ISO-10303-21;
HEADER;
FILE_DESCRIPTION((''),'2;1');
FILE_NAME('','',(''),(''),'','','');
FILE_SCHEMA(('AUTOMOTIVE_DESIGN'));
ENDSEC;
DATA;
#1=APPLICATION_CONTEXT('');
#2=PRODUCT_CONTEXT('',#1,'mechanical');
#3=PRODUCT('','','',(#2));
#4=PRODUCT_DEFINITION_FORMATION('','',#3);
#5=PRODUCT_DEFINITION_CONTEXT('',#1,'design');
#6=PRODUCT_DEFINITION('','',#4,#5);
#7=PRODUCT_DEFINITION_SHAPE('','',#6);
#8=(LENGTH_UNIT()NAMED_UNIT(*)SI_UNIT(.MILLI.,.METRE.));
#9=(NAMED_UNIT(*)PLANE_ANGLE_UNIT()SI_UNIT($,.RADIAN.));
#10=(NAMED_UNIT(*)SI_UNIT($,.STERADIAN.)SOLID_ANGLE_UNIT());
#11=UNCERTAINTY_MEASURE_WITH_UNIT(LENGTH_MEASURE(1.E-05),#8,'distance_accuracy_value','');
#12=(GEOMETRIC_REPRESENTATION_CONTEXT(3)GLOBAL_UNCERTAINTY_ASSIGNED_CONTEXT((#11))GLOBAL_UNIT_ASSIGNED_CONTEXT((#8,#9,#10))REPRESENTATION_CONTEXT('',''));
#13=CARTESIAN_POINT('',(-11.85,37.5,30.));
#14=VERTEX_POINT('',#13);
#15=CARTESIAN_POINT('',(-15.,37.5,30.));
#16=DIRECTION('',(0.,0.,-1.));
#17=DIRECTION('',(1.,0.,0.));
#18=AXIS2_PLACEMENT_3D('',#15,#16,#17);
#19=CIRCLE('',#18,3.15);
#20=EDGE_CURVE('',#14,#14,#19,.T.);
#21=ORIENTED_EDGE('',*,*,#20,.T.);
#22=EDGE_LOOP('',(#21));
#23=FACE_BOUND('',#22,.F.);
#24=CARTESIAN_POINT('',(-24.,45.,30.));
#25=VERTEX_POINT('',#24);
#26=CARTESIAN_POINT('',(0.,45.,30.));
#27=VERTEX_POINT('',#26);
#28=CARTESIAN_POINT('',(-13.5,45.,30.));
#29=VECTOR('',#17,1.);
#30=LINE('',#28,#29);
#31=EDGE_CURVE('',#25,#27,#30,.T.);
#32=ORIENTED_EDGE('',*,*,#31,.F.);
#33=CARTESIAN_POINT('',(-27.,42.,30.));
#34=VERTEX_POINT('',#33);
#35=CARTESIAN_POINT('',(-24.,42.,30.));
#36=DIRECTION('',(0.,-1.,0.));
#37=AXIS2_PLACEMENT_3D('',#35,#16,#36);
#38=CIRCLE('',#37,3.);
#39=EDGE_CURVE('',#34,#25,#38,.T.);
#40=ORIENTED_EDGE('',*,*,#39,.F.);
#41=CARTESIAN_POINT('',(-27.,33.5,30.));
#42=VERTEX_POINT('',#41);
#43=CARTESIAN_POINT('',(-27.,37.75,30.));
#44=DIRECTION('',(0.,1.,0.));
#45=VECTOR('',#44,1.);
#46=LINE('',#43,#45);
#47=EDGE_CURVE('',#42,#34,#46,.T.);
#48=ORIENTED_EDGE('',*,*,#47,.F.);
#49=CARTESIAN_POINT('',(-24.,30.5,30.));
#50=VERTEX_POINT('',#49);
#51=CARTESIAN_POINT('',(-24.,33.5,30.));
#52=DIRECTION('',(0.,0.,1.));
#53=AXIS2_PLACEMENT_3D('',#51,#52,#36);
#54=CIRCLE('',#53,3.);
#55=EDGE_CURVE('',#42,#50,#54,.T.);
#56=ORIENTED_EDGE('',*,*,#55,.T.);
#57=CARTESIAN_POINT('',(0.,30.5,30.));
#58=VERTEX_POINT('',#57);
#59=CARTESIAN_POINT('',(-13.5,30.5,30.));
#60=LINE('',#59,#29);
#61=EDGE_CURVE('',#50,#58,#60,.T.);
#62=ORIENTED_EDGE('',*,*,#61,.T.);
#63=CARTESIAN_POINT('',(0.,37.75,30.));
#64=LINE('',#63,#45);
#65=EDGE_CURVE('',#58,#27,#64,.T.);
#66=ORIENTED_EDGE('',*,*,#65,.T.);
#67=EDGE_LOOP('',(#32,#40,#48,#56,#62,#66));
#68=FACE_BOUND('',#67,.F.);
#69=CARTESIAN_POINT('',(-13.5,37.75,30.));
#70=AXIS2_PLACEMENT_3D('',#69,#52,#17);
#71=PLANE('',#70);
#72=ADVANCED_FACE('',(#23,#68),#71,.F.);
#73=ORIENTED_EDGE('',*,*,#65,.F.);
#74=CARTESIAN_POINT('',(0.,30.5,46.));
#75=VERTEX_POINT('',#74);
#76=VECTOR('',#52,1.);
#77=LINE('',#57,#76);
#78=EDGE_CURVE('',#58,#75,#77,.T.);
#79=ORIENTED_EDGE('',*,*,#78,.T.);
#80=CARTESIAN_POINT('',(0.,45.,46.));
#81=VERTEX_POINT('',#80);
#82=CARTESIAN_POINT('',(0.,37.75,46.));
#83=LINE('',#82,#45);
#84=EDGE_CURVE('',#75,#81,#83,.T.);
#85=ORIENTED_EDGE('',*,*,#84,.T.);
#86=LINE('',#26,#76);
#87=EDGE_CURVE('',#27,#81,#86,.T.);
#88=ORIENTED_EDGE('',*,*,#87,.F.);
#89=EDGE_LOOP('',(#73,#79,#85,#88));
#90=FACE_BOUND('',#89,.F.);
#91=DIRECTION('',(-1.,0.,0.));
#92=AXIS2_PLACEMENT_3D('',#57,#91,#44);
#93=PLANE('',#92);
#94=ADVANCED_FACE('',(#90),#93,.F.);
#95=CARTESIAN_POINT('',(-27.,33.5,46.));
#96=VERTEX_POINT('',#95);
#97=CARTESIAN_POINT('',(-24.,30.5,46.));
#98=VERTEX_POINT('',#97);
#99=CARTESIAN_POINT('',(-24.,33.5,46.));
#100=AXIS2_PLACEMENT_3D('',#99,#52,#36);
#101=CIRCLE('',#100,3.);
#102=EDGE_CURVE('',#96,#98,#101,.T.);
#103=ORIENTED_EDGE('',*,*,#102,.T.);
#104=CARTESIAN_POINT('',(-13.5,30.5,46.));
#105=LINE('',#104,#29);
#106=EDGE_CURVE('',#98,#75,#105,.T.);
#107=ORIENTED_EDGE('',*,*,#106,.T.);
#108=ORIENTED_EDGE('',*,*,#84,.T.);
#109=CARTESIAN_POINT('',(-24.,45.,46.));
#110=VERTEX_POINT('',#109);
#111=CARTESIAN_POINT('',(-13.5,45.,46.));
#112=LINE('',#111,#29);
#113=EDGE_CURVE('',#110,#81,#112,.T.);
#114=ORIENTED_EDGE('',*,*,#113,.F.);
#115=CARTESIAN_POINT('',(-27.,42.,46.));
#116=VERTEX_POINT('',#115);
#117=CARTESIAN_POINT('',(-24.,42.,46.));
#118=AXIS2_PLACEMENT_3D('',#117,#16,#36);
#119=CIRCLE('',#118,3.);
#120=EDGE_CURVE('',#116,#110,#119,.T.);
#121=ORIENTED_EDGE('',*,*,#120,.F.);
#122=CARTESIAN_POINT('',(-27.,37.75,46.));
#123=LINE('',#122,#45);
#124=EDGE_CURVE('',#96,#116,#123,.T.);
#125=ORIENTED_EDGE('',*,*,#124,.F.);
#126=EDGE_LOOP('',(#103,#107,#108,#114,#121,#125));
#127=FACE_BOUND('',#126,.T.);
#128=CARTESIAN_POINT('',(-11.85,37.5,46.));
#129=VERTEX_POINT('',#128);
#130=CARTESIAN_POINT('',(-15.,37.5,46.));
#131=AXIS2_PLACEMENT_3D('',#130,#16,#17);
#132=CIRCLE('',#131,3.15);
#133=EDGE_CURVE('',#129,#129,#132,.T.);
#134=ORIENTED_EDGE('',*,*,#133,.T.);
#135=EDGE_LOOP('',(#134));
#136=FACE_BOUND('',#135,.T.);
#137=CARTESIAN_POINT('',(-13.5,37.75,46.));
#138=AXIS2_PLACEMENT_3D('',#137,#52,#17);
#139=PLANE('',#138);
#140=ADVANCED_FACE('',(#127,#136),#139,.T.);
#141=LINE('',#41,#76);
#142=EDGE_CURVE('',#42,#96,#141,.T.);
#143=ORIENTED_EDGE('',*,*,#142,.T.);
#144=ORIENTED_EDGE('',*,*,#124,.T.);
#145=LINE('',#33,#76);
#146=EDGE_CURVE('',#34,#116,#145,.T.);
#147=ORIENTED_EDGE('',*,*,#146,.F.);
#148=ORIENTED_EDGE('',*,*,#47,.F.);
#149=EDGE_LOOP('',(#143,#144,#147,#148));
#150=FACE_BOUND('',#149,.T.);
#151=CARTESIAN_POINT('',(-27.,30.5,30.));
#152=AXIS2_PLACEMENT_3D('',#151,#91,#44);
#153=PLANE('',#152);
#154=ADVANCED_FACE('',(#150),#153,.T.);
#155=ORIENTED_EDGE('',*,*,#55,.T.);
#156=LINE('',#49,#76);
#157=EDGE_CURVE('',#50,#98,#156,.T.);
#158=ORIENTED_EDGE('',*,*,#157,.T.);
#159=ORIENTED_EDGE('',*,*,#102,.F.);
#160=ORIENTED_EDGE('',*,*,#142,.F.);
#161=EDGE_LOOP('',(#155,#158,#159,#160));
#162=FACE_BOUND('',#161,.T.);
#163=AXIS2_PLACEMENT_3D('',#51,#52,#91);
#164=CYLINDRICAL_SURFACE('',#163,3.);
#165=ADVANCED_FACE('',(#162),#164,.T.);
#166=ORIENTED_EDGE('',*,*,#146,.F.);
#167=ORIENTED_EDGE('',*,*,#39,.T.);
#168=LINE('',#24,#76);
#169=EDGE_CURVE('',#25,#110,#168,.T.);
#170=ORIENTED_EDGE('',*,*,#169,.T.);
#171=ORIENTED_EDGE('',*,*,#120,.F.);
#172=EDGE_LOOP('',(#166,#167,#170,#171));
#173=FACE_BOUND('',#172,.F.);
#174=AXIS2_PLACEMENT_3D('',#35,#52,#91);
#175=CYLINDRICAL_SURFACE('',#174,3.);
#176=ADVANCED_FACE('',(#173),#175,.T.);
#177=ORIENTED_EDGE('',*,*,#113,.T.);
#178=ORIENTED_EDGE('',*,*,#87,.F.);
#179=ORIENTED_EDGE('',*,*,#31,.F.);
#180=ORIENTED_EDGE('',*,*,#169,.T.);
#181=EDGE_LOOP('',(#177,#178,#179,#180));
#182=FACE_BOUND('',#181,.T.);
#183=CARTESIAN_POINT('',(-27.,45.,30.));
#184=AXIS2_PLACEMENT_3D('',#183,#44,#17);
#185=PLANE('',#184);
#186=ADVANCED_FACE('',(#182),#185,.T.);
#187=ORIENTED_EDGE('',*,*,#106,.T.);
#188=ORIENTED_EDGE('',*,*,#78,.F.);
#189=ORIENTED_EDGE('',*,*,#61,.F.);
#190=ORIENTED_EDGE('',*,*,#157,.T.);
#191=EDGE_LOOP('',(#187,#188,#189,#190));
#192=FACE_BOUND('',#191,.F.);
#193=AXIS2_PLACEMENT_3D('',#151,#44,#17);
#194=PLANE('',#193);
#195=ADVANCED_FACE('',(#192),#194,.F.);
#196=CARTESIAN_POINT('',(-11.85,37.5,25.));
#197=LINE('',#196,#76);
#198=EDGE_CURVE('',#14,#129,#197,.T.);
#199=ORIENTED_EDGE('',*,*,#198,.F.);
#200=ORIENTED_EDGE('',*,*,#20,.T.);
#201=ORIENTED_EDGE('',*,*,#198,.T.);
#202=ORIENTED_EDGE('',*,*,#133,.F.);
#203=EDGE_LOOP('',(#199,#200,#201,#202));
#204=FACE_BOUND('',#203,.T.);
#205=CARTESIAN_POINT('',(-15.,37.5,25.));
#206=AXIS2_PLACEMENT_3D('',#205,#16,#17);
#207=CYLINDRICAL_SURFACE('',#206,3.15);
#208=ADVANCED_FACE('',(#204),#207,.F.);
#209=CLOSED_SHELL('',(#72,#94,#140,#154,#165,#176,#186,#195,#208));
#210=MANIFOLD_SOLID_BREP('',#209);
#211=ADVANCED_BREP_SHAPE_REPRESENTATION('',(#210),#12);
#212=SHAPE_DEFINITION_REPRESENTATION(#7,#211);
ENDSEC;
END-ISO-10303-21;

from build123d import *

# Parameters (mm, degrees)
CYLINDER002_R     = 3.15
CYLINDER002_DEPTH = 24
BOX002_W          = 27
BOX002_H          = 14.5
BOX002_DEPTH      = 16
FILLET_R          = 3


with BuildPart() as cylinder002:
    # Cylinder002 → Cylinder002 (new body)
    with BuildSketch(Plane(origin=(-15, 37.5, 25), x_dir=(1, 0, 0), z_dir=(0, 0, 1))):
        Circle(CYLINDER002_R)
    extrude(amount=CYLINDER002_DEPTH)


with BuildPart() as cut002002002007004004001003:
    # Box002 → Box002 (new body)
    with BuildSketch(Plane(origin=(-27, 30.5, 30), x_dir=(1, 0, 0), z_dir=(0, 0, 1))):
        with Locations((13.5, 7.25)):
            Rectangle(BOX002_W, BOX002_H)
    extrude(amount=BOX002_DEPTH)

    # Fillet
    fillet_edges = [cut002002002007004004001003.edges().sort_by_distance(p)[0] for p in [
        (-27, 30.5, 38),
        (-27, 45, 38),
    ]]
    fillet(fillet_edges, radius=FILLET_R)

    # Cut002002002007004004001003: cut Cylinder002
    add(cylinder002.part, mode=Mode.SUBTRACT)


solid = cut002002002007004004001003.part
